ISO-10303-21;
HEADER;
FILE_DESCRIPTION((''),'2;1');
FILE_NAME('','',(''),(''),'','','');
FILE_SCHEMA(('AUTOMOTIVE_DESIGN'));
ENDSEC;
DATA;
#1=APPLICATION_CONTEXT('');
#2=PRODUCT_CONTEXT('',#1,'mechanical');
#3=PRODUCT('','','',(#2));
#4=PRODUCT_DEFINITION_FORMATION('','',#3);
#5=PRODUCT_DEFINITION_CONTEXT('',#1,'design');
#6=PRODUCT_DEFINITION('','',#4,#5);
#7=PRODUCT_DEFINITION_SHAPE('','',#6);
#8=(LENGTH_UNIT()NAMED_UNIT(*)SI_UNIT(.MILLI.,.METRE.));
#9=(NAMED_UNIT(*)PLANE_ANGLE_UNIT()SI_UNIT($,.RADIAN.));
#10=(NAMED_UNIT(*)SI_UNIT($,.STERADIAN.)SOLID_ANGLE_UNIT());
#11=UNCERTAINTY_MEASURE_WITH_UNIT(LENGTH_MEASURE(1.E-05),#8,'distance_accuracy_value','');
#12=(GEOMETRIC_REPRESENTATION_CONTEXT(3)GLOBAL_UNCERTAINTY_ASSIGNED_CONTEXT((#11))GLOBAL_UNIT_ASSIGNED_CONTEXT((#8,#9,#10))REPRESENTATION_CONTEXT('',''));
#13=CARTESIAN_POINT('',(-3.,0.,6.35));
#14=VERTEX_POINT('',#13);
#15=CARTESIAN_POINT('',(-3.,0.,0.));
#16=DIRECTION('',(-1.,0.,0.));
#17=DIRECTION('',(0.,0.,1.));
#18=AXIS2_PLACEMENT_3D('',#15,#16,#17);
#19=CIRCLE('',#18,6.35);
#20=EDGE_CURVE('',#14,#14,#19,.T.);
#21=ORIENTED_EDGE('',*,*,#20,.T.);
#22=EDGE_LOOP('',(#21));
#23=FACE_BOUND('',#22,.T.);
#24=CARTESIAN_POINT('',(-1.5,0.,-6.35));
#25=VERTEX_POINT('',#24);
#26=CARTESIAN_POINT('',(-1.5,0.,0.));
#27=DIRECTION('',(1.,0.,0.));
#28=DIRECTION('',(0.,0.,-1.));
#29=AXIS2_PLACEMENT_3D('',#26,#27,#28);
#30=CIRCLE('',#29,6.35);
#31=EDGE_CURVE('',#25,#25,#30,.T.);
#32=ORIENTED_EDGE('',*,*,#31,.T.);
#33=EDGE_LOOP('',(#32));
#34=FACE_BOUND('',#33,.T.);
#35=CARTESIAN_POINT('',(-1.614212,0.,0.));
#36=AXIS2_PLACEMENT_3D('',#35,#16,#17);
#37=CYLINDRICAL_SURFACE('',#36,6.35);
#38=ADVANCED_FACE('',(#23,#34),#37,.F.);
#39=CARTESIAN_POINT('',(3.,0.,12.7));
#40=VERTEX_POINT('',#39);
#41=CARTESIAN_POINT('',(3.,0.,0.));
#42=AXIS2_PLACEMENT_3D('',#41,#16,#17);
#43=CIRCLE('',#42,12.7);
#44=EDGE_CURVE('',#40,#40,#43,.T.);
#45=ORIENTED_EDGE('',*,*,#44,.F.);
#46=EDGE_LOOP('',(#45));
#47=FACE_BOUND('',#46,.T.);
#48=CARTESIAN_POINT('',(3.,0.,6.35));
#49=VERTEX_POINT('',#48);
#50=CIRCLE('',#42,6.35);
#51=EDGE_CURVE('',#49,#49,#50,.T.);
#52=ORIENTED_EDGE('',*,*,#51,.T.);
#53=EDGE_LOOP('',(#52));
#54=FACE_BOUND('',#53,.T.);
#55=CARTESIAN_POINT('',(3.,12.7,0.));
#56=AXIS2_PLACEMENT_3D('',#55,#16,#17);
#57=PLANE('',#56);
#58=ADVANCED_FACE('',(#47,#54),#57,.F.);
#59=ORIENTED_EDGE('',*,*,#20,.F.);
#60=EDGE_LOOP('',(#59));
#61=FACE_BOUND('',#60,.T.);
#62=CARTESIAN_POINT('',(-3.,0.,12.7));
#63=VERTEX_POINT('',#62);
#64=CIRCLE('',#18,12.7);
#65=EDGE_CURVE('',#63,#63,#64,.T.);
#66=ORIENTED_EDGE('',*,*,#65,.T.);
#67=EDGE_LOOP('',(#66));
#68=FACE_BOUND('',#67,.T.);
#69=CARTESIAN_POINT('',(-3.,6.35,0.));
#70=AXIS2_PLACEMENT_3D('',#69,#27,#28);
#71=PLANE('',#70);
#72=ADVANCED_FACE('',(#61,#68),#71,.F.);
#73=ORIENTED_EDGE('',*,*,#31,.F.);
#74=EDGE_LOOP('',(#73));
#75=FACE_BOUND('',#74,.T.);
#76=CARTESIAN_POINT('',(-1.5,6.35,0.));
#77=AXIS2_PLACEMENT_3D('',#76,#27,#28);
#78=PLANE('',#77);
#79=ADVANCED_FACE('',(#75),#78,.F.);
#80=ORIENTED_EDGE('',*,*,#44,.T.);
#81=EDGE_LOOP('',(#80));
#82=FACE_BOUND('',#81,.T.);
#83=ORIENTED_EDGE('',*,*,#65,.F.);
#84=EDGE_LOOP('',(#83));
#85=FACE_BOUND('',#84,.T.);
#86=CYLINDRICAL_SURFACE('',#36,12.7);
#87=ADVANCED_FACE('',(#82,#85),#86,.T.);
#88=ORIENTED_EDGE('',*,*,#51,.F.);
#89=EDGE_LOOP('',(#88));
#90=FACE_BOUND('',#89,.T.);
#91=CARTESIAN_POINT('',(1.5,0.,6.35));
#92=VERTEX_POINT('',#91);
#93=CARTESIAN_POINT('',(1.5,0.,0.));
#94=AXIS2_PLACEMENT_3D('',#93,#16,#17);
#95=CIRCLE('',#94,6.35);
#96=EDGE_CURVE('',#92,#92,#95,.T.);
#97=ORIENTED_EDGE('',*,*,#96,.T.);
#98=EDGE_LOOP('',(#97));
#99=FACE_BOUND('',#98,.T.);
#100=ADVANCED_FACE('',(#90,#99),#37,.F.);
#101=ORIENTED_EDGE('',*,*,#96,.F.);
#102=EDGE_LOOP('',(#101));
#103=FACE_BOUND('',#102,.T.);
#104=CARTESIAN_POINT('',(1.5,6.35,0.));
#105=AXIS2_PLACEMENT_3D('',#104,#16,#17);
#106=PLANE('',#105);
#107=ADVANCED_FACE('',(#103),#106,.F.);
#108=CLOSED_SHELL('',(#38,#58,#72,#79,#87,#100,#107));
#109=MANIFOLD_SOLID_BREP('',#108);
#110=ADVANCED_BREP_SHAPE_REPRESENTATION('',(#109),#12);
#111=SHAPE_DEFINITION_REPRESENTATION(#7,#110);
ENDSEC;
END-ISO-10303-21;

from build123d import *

# Parameters (mm, degrees)
SKETCH_1_W = 3
SKETCH_1_H = 6.35
SKETCH_4_W = 6
SKETCH_4_H = 6.35


with BuildPart() as part:
    # 草图1 → 旋转2 (revolve)
    with BuildSketch(Plane.XY, mode=Mode.PRIVATE) as revolve_2_sk:
        with Locations((0, 3.175)):
            Rectangle(SKETCH_1_W, SKETCH_1_H)
    revolve(revolve_2_sk.sketch.rotate(Axis((-1.5, 0, 0), (1, 0, 0)), 90), axis=Axis((-1.5, 0, 0), (1, 0, 0)))  # turned: the seam where the file's is

    # 草图4 → 旋转3 (revolve)
    with BuildSketch(Plane.XY, mode=Mode.PRIVATE) as revolve_3_sk:
        with Locations((0, 9.525)):
            Rectangle(SKETCH_4_W, SKETCH_4_H)
    revolve(revolve_3_sk.sketch.rotate(Axis((-1.614212419, 0, 0), (1, 0, 0)), 90), axis=Axis((-1.614212419, 0, 0), (1, 0, 0)))  # turned: the seam where the file's is


solid = part.part
